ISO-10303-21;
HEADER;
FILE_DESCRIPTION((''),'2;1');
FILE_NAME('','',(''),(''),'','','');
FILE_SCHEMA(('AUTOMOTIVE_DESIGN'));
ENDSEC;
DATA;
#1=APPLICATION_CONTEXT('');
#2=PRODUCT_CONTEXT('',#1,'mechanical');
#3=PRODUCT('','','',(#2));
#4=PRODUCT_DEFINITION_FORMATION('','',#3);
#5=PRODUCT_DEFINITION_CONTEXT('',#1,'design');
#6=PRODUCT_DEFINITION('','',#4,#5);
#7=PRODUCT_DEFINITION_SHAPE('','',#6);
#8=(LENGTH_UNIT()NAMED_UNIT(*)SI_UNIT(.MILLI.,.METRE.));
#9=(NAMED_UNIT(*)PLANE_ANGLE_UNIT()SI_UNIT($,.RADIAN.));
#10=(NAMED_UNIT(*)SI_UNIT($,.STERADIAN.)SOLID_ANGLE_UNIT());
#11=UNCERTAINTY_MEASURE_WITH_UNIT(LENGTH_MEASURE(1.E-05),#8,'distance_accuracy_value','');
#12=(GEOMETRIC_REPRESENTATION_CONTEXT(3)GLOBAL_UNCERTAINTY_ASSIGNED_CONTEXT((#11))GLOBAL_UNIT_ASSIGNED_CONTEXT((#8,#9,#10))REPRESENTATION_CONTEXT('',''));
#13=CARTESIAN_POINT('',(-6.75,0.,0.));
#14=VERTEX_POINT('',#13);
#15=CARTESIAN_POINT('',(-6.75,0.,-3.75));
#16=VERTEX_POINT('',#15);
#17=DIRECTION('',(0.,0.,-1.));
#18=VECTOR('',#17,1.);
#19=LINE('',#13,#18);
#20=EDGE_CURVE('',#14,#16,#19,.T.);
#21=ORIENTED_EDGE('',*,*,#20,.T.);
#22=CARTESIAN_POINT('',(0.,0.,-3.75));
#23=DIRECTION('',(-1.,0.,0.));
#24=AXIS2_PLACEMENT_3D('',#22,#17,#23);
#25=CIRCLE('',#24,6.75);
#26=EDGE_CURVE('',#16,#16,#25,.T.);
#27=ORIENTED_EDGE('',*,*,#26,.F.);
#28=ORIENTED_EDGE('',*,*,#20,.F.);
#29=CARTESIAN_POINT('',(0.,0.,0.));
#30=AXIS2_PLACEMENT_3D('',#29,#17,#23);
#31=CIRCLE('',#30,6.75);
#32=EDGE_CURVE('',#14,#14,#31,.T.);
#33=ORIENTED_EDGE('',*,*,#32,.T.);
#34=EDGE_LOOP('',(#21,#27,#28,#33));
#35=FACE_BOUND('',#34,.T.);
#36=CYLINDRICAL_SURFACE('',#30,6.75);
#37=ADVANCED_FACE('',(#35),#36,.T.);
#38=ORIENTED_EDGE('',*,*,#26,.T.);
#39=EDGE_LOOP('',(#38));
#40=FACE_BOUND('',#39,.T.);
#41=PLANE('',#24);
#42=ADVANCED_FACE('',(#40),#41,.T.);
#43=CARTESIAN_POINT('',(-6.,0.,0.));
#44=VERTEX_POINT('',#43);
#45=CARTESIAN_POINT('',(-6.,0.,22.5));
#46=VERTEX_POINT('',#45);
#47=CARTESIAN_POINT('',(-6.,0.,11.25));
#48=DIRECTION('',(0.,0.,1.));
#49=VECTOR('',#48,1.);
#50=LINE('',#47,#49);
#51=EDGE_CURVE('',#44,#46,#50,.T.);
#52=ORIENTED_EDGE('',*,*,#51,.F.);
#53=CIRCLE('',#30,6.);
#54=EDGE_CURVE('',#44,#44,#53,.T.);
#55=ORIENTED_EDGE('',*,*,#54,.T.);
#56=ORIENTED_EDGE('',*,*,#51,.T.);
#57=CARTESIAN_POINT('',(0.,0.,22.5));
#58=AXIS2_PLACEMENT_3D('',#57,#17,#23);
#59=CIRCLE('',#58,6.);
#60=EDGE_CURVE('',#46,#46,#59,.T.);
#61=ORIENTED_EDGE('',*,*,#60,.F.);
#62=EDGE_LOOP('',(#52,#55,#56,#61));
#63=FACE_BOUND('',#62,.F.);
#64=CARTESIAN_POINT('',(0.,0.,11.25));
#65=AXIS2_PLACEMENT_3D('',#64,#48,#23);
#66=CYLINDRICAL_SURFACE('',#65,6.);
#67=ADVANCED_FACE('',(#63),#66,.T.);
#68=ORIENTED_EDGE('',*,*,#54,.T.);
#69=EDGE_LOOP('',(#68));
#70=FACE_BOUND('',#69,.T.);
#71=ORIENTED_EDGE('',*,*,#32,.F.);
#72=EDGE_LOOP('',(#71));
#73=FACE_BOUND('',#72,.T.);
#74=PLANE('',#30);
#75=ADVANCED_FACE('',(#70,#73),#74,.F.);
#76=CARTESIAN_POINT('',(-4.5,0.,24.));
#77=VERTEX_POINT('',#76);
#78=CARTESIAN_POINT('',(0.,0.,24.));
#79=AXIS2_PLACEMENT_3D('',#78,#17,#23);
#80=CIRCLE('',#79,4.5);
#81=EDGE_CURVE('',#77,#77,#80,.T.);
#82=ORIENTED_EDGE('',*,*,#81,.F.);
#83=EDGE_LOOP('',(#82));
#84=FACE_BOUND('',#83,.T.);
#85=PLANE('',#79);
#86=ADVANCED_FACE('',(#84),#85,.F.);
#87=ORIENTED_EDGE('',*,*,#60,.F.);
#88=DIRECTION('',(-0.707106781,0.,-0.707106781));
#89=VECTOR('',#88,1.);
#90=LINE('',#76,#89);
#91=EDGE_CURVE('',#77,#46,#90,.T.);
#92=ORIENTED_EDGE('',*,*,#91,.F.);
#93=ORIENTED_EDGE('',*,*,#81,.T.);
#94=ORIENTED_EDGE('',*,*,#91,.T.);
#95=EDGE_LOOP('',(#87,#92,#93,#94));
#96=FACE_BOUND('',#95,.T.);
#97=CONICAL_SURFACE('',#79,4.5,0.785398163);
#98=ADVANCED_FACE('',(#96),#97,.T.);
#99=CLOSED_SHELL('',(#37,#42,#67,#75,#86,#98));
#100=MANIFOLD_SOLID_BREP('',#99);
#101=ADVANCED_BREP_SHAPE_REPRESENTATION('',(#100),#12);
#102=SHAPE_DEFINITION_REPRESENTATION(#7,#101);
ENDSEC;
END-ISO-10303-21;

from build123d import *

# Parameters (mm, degrees)
F0_W = 6
F0_H = 22.5


with BuildPart() as f1:
    # F0 (on Front) → F1 (revolve)
    with BuildSketch(Plane.XZ):
        Polygon((0, 24), (-4.5, 24), (-6, 22.5), (0, 22.5), align=None)
        with Locations((-3, 11.25)):
            Rectangle(F0_W, F0_H)
        Polygon((0, 0), (-6, 0), (-6.75, 0), (-6.75, -3.75), (0, -3.75), align=None)
    revolve(axis=Axis((0, 0, 9.848651), (0, 0, -1)))


solid = f1.part
